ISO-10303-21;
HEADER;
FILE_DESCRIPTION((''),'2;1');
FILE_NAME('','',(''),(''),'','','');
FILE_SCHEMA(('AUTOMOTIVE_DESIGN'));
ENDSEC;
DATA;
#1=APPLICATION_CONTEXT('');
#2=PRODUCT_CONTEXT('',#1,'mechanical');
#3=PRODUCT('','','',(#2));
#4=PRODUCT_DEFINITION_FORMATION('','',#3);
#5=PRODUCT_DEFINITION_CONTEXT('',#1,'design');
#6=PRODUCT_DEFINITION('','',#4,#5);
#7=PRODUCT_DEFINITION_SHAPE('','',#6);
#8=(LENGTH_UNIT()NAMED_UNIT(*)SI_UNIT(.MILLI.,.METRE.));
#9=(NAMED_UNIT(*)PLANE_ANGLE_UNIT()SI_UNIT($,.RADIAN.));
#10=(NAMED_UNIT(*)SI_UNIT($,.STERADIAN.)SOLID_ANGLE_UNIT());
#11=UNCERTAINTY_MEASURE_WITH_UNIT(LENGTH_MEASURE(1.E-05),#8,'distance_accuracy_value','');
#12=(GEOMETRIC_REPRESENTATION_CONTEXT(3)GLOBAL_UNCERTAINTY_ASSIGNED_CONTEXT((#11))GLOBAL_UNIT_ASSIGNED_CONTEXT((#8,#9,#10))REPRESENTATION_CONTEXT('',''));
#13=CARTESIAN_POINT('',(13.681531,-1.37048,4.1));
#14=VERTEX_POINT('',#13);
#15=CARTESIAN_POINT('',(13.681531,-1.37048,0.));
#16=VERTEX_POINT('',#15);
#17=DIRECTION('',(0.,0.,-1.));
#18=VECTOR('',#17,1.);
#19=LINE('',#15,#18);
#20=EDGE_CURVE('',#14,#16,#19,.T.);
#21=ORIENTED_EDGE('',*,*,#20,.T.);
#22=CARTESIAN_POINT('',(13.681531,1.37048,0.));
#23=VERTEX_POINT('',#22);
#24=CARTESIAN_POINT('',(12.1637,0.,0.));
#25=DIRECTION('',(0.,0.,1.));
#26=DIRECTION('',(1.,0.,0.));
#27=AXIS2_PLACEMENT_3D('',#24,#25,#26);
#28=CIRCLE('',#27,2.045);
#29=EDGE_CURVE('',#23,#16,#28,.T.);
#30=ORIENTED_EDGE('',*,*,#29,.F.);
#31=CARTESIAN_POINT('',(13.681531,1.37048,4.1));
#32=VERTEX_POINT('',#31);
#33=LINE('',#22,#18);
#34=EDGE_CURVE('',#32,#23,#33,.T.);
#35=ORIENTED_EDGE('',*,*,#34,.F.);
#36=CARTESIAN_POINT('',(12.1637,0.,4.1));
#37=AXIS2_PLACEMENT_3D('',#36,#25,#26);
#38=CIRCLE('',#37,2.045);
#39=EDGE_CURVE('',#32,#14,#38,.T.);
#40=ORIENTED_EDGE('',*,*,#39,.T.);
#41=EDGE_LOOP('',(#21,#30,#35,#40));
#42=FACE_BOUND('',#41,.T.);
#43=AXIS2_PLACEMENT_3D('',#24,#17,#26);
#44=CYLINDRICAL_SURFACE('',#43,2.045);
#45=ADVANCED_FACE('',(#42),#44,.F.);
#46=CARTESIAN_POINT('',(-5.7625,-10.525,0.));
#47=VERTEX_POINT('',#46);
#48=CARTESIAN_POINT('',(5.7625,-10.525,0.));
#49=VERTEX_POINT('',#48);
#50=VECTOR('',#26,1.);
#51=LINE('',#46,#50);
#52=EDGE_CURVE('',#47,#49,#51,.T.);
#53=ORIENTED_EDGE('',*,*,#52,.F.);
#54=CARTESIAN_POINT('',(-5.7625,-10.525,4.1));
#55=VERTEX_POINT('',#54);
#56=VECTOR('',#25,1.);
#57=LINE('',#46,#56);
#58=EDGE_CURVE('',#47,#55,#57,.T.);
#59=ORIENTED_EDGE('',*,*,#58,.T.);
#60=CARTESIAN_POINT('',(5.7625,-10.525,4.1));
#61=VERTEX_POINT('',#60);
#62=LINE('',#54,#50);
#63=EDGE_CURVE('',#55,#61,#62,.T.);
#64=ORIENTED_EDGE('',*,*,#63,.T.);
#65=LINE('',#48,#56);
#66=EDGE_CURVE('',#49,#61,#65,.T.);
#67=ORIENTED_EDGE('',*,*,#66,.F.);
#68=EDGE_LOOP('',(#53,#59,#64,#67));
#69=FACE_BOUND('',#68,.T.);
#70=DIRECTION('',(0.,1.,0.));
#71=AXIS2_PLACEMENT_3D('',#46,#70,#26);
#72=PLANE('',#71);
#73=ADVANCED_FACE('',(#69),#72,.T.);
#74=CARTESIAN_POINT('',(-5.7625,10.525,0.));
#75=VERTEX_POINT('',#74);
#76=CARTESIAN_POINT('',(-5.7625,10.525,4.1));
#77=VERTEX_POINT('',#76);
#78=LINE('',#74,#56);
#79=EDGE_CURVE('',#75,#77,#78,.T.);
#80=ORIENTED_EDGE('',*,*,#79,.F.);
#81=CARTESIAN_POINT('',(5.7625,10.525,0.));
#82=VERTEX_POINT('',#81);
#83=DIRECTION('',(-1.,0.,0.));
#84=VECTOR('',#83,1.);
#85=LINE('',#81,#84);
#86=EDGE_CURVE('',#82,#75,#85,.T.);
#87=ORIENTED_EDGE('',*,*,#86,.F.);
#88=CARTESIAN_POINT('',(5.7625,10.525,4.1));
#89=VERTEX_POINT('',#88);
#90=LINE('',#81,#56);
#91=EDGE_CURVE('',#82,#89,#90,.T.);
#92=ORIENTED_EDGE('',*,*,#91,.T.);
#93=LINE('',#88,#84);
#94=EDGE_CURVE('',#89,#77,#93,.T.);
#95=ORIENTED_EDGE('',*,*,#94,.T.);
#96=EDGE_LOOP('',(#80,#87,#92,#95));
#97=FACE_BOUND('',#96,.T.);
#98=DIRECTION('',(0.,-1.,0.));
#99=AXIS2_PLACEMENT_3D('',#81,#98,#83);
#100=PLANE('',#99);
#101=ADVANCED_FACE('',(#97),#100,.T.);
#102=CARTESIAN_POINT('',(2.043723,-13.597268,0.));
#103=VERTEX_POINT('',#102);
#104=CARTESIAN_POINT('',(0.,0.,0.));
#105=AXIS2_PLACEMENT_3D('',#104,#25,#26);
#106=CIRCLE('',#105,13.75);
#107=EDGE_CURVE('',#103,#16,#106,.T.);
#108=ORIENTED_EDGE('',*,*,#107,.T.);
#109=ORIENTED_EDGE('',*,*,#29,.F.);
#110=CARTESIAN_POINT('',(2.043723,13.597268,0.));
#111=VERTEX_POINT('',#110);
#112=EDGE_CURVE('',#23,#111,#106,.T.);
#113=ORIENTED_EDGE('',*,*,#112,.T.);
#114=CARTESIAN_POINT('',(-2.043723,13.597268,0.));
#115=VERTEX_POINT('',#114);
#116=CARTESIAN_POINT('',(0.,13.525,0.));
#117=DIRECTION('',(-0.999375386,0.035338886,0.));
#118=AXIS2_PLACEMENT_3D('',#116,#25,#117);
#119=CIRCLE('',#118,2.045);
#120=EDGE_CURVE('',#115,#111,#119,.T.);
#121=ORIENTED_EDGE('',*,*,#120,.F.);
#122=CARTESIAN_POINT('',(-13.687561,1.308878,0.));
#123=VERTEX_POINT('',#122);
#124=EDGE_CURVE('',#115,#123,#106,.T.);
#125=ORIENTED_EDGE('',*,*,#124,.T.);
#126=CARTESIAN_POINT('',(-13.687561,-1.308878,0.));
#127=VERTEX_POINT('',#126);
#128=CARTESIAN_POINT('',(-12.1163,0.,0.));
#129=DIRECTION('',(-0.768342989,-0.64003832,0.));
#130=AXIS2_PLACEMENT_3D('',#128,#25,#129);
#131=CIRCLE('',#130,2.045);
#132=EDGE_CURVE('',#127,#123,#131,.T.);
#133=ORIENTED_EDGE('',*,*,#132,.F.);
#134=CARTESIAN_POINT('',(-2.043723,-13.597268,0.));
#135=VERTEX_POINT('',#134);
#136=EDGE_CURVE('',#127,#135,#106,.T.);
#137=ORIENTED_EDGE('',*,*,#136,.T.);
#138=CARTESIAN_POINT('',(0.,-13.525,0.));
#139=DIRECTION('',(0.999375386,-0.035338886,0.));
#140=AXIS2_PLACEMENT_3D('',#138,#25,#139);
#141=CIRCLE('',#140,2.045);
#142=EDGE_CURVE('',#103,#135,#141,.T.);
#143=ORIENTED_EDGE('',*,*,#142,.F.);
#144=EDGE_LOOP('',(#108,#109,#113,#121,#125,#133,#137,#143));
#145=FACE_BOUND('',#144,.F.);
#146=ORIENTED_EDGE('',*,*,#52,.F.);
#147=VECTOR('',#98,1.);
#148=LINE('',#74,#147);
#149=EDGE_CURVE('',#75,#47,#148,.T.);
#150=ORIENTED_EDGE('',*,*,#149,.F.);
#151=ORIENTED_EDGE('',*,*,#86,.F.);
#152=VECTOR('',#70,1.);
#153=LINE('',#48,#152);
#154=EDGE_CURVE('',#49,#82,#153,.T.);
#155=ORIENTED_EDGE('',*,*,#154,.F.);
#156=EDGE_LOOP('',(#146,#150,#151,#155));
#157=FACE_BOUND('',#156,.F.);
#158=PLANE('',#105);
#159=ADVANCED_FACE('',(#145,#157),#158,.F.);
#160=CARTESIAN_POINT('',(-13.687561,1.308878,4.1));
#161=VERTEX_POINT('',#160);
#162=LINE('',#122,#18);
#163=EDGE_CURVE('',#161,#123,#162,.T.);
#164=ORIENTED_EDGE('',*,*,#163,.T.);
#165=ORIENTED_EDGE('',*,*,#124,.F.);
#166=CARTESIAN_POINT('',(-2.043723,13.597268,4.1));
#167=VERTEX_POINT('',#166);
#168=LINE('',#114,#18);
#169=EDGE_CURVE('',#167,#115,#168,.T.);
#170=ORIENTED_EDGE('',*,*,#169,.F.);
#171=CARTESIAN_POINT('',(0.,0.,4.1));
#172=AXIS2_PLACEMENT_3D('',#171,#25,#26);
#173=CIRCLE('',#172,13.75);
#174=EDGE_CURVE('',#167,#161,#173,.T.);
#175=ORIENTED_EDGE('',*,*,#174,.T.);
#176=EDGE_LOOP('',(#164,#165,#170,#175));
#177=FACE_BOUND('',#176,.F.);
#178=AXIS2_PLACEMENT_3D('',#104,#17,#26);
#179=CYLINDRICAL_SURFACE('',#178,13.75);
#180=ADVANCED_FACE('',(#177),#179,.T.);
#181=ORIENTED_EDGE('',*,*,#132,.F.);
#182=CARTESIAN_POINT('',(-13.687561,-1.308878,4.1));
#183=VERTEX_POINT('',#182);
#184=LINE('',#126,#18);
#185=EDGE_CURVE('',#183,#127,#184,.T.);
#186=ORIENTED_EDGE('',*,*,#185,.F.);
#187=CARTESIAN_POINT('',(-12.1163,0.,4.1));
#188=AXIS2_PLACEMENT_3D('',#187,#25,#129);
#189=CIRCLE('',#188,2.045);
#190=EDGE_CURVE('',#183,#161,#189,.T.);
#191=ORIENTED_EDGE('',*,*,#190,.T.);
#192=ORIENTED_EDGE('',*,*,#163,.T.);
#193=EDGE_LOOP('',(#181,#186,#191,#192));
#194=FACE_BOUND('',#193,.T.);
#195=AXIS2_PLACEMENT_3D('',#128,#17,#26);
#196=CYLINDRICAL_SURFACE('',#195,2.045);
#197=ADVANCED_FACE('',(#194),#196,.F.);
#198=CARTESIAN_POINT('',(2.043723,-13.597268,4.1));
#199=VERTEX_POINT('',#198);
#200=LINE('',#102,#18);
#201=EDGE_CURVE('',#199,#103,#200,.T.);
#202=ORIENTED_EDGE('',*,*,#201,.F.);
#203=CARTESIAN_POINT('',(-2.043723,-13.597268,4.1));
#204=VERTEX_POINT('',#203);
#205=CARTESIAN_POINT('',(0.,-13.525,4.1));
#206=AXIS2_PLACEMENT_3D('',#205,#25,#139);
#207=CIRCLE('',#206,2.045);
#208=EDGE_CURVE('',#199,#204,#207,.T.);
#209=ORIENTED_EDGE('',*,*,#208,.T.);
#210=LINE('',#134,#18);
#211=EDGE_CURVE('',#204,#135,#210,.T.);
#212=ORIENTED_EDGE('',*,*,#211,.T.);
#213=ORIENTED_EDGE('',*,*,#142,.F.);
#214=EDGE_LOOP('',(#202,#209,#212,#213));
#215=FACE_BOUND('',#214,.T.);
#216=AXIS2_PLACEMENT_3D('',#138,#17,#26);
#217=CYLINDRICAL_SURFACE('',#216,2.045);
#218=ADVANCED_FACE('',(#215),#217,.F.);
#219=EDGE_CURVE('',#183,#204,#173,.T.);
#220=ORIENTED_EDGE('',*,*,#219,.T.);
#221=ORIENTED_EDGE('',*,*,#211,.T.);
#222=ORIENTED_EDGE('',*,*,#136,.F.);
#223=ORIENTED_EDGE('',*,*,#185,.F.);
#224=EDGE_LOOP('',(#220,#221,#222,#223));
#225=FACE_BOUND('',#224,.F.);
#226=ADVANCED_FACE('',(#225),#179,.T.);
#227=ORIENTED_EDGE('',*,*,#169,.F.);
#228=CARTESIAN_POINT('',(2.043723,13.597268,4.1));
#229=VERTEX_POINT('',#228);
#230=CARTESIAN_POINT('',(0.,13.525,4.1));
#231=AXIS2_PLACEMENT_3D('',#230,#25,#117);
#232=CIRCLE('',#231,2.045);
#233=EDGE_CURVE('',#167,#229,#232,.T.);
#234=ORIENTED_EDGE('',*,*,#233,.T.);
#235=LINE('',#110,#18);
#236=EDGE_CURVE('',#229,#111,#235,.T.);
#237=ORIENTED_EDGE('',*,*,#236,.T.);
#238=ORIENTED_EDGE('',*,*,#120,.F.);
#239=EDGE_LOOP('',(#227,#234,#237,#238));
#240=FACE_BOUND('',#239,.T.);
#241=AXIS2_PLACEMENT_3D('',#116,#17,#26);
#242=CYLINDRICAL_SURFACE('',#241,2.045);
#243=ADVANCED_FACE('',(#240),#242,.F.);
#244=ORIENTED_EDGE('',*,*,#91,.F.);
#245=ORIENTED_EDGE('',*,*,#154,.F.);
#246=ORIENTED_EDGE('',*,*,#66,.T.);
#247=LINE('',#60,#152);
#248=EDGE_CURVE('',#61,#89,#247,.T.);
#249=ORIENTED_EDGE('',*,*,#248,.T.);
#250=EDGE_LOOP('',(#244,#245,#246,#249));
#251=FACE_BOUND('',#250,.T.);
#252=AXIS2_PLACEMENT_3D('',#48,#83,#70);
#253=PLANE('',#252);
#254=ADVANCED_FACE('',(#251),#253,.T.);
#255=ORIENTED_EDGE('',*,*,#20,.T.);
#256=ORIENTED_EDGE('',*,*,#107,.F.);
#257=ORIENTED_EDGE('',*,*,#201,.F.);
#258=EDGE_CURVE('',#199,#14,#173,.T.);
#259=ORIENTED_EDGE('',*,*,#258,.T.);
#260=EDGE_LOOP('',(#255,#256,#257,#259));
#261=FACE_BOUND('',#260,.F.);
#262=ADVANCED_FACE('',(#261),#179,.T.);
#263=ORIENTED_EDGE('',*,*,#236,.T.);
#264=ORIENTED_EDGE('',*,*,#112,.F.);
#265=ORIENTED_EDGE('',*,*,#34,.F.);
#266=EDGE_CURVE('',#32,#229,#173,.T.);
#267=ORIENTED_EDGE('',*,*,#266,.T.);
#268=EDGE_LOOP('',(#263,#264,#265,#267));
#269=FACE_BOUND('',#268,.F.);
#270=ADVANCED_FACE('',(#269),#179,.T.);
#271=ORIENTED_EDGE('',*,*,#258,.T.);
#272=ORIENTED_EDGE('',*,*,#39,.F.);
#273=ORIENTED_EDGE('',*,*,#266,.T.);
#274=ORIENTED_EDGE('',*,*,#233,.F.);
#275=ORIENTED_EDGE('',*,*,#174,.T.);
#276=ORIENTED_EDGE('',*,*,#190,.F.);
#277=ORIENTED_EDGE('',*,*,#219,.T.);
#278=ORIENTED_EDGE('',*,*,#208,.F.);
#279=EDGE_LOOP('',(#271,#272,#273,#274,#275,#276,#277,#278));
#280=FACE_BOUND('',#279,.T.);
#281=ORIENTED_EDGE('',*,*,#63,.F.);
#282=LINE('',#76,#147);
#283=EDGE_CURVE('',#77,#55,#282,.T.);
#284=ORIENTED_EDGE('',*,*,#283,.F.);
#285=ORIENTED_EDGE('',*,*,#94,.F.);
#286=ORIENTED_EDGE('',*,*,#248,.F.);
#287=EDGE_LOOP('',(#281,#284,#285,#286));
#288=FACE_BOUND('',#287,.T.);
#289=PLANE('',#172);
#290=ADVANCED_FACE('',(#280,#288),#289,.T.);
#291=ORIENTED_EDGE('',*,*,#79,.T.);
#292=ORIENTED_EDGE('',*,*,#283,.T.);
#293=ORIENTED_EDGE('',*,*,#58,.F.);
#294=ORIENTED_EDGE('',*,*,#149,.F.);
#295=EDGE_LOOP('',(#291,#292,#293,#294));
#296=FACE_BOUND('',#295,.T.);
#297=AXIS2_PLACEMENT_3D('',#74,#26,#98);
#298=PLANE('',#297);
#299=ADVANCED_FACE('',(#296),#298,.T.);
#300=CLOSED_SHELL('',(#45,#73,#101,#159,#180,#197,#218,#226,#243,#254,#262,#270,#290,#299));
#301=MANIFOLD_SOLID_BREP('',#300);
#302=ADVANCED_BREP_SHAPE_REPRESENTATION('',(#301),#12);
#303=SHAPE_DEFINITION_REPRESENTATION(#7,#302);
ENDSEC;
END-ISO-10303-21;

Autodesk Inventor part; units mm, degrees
ref_plane "YZ Plane" through (0, 0, 0) normal (1, 0, 0) x (0, 1, 0)
ref_plane "XZ Plane" through (0, 0, 0) normal (0, 1, 0) x (-1, 0, 0)
ref_plane "XY Plane" through (0, 0, 0) normal (0, 0, 1) x (1, 0, 0)
sketch "Sketch3" plane through (0, 0, 0) normal (0, 0, 1) x (1, 0, 0)
  line L0 (-15.9263, -16.7) -> (16.0737, -16.7)
  line L1 (16.7744, -15.9999) -> (16.6729, 15.9999)
  line L2 (15.9735, 16.7) -> (-16.0265, 16.7)
  line L3 (-16.7272, 15.9999) -> (-16.6257, -15.9999)
  line L4 (-16.0265, 16.7) -> (-16.7272, 15.9999)
  line L5 (15.9735, 16.7) -> (16.6729, 15.9999)
  line L6 (16.7744, -15.9999) -> (16.0737, -16.7)
  line L7 (-16.6257, -15.9999) -> (-15.9263, -16.7)
  line L8 (-5.7625, -10.525) -> (5.7625, -10.525)
  line L9 (5.7625, -10.525) -> (5.7625, 10.525)
  line L10 (5.7625, 10.525) -> (-5.7625, 10.525)
  line L11 (-5.7625, 10.525) -> (-5.7625, -10.525)
  circle A0 centre (-12.159, 13.525) radius 2.045
  circle A1 centre (12.121, 13.525) radius 2.045
  circle A2 centre (-12.0777, -13.525) radius 2.045
  circle A3 centre (12.2023, -13.525) radius 2.045
  circle A4 centre (0, 0) radius 18.4 construction
  circle A5 centre (-12.1163, 0) radius 2.045
  circle A6 centre (0, 13.525) radius 2.045
  circle A7 centre (12.1637, 0) radius 2.045
  circle A8 centre (0, -13.525) radius 2.045
  dimension "d10" = 11.525
  dimension "d11" = 21.05
  dimension "d12" = 4.09
  dimension "d13" = 4.09
  dimension "d17" = 4.09
  dimension "d19" = 24.28
  dimension "d21" = 4.09
  dimension "d26" = 36.8
  dimension "d27" = 4.09
  dimension "d28" = 4.09
  dimension "d29" = 4.09
  dimension "d33" = 4.09
  dimension "d38" = 10.525
  dimension "d39" = 5.7625
  dimension "d45" = 33.4
  dimension "d46" = 33.4
  dimension "d47" = 32
  dimension "d48" = 32
  dimension "d49" = 32
  dimension "d50" = 32
  dimension "d52" = 3
  dimension "d53" = 3
  dimension "d55" = 3
  dimension "d56" = 3
  dimension "d57" = 3
  dimension "d59" = 3
  dimension "d60" = 5.7625
  dimension "d61" = 5.7625
  dimension "d62" = 6.3585
  dimension "d63" = 24.28
  dimension "d64" = 24.28
  dimension "d66" = 10.525
  dimension "d67" = 16.7
sketch "Sketch4" plane through (0, 0, 0) normal (0, 0, 1) x (1, 0, 0)
  circle A0 centre (0, 0) radius 13.75
  dimension "d32" = 27.5
extrude "Extrusion3" add sketch "Sketch3" along normal blind 4.1
extrude "Extrusion4" cut sketch "Sketch4" along normal blind 4.1 keep common part
properties part number "WG18FLANGECutDown"
